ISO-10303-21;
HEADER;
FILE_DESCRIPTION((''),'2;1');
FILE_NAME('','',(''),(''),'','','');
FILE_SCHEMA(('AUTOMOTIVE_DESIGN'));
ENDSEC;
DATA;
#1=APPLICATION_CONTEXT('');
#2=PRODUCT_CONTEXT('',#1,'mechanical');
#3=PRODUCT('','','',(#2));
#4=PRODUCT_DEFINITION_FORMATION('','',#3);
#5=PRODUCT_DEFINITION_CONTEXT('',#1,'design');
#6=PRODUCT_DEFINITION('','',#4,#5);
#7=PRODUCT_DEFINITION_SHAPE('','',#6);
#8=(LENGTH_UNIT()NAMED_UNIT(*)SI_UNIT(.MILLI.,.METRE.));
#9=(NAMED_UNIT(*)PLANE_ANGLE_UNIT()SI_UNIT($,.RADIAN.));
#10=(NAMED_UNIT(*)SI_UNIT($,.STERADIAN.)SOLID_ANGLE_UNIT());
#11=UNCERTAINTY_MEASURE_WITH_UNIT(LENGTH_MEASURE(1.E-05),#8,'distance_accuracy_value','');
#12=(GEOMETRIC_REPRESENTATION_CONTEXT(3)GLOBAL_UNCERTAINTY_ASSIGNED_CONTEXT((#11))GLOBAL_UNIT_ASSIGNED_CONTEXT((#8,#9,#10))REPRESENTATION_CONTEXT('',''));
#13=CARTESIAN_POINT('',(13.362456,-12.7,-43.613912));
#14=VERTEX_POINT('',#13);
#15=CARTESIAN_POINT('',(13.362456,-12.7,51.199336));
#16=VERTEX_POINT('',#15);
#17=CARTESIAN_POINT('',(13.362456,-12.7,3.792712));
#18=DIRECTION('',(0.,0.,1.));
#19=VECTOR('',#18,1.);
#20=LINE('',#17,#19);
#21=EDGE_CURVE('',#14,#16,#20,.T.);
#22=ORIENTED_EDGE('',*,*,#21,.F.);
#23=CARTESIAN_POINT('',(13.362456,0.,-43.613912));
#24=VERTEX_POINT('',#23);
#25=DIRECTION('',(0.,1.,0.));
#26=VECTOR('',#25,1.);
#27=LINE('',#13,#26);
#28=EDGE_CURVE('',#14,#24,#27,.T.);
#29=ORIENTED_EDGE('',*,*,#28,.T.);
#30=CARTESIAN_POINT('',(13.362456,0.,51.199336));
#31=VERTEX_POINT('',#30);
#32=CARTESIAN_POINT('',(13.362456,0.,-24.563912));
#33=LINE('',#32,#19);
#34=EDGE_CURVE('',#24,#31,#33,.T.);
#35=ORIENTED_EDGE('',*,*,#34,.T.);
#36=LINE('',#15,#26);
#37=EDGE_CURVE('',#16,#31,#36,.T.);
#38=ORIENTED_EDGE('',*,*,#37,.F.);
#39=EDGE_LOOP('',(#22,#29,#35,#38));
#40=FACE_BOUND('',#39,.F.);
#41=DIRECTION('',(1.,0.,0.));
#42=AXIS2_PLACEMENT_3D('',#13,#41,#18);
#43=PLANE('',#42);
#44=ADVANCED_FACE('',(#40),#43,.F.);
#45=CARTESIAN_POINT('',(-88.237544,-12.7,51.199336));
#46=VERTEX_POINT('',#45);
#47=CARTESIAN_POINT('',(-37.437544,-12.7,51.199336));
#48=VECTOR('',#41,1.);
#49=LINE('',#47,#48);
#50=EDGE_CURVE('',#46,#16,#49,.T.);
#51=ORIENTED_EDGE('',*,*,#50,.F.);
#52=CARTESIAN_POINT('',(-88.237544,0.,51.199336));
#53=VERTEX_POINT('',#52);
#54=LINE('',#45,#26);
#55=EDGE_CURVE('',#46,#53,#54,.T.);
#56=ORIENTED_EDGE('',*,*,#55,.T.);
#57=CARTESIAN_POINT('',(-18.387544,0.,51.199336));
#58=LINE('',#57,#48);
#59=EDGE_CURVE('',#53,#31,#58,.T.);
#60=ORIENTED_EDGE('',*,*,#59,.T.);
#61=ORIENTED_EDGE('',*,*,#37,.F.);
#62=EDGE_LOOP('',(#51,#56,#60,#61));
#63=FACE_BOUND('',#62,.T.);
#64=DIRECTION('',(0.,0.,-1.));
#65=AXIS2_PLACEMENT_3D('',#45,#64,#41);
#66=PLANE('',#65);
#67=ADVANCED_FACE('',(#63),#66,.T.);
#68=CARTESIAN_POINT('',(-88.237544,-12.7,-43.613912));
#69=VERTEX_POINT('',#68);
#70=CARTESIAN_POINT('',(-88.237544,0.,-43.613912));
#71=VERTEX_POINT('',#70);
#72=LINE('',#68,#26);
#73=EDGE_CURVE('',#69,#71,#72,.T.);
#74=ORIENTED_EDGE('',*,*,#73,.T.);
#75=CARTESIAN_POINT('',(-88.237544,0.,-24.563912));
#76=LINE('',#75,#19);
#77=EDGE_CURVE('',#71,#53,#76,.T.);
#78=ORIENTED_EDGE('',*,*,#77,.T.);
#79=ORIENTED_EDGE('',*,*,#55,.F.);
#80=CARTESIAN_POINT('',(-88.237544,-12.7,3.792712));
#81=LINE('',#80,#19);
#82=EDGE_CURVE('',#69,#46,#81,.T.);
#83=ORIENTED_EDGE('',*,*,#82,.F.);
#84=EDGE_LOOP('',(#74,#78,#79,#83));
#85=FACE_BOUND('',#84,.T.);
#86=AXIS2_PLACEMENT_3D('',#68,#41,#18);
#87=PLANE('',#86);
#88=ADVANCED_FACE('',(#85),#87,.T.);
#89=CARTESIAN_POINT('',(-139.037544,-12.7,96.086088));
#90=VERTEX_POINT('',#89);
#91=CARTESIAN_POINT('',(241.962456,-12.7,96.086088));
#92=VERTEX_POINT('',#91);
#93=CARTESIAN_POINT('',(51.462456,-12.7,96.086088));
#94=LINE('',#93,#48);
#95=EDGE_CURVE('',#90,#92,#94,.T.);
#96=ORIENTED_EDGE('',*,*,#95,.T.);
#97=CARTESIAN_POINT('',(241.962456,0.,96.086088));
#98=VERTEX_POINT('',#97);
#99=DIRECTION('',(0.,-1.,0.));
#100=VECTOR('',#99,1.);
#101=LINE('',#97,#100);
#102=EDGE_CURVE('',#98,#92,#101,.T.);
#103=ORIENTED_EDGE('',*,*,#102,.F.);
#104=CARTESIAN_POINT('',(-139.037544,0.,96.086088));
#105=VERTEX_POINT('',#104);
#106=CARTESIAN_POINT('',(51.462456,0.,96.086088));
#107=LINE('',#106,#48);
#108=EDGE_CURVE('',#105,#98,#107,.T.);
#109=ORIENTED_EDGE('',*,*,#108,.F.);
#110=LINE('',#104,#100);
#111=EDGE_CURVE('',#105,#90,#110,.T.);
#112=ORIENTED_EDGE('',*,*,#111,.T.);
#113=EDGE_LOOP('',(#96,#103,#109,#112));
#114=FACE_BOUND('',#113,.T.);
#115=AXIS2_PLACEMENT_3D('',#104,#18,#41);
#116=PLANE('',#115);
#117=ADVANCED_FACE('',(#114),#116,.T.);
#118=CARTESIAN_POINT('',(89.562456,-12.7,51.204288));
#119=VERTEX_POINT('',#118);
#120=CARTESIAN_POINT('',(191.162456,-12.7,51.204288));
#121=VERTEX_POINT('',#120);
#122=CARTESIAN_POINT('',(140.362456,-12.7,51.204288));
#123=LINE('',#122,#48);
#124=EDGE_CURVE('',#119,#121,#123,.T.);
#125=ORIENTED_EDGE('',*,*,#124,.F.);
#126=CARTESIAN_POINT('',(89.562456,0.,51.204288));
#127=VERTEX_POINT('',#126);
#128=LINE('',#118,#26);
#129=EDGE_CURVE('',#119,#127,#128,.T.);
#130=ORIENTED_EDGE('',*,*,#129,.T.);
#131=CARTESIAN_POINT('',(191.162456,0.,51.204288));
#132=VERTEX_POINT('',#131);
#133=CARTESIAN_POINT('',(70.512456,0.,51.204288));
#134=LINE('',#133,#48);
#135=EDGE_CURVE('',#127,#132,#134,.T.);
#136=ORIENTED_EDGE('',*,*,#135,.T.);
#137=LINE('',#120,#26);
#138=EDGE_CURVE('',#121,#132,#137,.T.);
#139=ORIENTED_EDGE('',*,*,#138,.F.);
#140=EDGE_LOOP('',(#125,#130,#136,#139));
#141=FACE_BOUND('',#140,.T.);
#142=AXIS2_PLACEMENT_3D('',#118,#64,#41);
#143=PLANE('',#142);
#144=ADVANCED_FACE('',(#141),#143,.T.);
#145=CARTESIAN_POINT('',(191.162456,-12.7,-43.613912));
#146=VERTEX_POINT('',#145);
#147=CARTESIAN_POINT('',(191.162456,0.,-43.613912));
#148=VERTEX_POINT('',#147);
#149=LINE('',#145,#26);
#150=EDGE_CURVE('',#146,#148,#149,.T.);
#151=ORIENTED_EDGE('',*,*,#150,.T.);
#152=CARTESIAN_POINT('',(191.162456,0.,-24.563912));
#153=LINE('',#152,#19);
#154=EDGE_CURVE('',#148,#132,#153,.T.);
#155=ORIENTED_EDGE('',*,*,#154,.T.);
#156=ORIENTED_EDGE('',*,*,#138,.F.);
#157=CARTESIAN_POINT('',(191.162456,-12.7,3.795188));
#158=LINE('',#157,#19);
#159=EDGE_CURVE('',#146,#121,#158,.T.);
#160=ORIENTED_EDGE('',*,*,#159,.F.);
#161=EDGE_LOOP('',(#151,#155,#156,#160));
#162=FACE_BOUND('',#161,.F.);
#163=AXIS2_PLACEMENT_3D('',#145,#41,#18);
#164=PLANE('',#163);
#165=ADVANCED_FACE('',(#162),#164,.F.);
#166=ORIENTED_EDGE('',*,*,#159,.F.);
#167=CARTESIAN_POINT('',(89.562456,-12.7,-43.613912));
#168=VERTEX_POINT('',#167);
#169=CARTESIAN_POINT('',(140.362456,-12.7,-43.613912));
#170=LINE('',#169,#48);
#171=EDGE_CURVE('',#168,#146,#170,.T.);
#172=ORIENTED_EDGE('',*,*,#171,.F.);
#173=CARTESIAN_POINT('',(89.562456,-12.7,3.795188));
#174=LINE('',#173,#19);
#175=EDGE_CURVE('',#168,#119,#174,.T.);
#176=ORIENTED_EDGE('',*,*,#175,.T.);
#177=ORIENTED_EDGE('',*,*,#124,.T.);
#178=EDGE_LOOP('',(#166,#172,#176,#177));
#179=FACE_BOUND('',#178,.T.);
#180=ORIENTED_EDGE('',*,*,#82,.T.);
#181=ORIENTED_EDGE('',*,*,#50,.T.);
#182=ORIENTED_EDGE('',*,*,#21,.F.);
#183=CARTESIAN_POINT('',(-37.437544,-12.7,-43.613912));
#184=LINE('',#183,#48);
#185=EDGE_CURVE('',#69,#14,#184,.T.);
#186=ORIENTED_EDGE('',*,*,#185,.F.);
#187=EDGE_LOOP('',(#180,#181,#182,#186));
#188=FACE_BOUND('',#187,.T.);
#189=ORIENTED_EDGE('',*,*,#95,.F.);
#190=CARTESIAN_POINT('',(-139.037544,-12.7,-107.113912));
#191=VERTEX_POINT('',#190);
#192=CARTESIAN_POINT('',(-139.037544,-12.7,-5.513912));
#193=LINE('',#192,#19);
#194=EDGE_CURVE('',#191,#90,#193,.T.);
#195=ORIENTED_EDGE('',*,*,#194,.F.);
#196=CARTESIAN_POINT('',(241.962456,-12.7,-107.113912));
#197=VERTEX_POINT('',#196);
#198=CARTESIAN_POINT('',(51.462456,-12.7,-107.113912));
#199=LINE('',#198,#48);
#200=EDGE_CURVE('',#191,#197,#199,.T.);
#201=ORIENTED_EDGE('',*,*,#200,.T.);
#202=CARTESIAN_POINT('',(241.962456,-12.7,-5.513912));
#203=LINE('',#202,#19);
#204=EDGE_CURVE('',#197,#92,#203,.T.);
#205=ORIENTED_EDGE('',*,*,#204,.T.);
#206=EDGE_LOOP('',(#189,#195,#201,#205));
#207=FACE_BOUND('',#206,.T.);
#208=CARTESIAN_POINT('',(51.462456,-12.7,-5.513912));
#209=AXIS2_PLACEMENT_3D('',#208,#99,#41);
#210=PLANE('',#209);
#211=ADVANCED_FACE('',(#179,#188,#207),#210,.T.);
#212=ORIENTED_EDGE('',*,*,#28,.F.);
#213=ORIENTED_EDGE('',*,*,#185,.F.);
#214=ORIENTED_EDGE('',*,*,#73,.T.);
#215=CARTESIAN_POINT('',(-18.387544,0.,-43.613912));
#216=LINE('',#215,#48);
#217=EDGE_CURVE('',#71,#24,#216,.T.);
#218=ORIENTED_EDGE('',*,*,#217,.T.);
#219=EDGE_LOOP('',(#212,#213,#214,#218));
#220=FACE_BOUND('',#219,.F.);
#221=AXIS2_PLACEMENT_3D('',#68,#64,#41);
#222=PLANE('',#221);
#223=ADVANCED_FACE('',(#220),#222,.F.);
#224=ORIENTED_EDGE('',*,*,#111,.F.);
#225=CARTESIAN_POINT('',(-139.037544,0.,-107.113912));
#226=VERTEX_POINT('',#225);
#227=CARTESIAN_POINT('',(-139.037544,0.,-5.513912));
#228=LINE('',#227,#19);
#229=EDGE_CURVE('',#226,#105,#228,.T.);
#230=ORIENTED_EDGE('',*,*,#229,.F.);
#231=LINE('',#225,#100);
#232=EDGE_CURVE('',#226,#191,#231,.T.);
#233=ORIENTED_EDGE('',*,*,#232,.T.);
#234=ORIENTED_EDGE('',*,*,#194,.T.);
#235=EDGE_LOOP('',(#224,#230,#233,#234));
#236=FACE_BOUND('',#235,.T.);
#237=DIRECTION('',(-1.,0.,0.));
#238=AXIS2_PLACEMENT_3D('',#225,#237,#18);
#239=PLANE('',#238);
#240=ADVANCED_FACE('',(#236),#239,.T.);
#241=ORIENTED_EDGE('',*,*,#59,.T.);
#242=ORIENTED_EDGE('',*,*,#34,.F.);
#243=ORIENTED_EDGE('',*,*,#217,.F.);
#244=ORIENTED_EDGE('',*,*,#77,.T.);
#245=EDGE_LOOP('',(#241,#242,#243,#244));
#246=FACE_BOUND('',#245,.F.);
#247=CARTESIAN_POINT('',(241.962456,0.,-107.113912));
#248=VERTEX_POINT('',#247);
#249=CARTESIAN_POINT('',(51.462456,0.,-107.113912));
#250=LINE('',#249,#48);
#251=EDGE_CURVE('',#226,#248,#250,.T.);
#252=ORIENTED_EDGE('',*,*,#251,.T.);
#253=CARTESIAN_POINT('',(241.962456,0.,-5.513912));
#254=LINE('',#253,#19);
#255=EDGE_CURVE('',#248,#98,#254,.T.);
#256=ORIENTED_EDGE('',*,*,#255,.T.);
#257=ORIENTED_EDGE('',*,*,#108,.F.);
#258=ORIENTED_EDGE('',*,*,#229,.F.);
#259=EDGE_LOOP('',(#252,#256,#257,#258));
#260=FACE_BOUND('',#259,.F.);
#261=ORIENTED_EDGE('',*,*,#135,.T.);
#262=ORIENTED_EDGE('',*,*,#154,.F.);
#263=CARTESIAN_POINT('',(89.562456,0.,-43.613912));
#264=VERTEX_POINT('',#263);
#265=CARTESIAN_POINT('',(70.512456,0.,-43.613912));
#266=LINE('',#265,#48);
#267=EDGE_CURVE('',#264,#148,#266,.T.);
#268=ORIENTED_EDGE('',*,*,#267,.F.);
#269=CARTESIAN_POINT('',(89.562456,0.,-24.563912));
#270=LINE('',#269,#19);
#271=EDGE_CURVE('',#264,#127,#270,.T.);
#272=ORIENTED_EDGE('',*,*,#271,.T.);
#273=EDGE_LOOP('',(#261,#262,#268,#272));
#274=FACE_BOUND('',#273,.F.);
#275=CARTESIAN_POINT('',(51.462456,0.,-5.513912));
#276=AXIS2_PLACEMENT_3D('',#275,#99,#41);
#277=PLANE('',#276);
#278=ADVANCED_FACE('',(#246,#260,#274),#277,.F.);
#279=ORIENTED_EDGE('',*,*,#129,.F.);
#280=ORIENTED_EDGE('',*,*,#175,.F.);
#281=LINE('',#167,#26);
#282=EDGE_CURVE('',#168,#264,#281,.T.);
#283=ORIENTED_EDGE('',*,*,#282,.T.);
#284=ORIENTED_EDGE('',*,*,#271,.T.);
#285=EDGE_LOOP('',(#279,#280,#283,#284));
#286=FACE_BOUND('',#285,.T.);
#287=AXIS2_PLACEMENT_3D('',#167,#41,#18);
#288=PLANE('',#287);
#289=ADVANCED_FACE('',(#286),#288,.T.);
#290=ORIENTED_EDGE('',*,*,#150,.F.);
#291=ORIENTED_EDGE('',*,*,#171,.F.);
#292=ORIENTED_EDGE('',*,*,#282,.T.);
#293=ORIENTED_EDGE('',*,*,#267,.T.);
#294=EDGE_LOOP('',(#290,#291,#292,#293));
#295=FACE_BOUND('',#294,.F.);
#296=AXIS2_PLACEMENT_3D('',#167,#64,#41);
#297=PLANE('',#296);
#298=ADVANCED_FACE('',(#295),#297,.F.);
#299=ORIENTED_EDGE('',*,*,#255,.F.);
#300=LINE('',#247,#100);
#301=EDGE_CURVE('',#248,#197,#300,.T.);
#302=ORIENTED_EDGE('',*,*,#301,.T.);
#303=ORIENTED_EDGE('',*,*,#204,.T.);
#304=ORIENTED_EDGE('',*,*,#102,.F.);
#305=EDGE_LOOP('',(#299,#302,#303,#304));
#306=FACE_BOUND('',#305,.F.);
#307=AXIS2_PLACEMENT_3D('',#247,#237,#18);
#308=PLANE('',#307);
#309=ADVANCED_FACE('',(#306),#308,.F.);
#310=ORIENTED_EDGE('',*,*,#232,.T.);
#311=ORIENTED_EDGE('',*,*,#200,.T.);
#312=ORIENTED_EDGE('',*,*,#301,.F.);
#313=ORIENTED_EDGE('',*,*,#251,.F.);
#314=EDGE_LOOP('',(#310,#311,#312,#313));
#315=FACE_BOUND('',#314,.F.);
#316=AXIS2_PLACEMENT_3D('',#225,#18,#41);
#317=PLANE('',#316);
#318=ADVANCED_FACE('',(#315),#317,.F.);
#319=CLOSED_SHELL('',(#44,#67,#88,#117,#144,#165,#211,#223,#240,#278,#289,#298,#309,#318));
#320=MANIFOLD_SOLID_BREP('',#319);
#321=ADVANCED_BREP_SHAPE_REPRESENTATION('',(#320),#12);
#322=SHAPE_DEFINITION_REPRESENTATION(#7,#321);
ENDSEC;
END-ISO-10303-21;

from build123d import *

# Parameters (mm, degrees)
F0_W     = 381
F0_H     = 203.2
F1_DEPTH = 12.7
F3_W     = 101.6
F3_H     = 94.813248
F3_H_2   = 94.8182
F4_DEPTH = 12.701


with BuildPart() as f1:
    # F0 (on Front) → F1 (new body)
    with BuildSketch(Plane.XZ):
        with Locations((51.462456, -5.513912)):
            Rectangle(F0_W, F0_H)
    extrude(amount=F1_DEPTH)

    # F3 (on face) → F4 (cut, through all)
    with BuildSketch(Plane.XZ.offset(12.7)):
        with Locations((-37.437544, 3.792712)):
            Rectangle(F3_W, F3_H)
        with Locations((140.362456, 3.795188)):
            Rectangle(F3_W, F3_H_2)
    extrude(amount=-F4_DEPTH, mode=Mode.SUBTRACT)


solid = f1.part
